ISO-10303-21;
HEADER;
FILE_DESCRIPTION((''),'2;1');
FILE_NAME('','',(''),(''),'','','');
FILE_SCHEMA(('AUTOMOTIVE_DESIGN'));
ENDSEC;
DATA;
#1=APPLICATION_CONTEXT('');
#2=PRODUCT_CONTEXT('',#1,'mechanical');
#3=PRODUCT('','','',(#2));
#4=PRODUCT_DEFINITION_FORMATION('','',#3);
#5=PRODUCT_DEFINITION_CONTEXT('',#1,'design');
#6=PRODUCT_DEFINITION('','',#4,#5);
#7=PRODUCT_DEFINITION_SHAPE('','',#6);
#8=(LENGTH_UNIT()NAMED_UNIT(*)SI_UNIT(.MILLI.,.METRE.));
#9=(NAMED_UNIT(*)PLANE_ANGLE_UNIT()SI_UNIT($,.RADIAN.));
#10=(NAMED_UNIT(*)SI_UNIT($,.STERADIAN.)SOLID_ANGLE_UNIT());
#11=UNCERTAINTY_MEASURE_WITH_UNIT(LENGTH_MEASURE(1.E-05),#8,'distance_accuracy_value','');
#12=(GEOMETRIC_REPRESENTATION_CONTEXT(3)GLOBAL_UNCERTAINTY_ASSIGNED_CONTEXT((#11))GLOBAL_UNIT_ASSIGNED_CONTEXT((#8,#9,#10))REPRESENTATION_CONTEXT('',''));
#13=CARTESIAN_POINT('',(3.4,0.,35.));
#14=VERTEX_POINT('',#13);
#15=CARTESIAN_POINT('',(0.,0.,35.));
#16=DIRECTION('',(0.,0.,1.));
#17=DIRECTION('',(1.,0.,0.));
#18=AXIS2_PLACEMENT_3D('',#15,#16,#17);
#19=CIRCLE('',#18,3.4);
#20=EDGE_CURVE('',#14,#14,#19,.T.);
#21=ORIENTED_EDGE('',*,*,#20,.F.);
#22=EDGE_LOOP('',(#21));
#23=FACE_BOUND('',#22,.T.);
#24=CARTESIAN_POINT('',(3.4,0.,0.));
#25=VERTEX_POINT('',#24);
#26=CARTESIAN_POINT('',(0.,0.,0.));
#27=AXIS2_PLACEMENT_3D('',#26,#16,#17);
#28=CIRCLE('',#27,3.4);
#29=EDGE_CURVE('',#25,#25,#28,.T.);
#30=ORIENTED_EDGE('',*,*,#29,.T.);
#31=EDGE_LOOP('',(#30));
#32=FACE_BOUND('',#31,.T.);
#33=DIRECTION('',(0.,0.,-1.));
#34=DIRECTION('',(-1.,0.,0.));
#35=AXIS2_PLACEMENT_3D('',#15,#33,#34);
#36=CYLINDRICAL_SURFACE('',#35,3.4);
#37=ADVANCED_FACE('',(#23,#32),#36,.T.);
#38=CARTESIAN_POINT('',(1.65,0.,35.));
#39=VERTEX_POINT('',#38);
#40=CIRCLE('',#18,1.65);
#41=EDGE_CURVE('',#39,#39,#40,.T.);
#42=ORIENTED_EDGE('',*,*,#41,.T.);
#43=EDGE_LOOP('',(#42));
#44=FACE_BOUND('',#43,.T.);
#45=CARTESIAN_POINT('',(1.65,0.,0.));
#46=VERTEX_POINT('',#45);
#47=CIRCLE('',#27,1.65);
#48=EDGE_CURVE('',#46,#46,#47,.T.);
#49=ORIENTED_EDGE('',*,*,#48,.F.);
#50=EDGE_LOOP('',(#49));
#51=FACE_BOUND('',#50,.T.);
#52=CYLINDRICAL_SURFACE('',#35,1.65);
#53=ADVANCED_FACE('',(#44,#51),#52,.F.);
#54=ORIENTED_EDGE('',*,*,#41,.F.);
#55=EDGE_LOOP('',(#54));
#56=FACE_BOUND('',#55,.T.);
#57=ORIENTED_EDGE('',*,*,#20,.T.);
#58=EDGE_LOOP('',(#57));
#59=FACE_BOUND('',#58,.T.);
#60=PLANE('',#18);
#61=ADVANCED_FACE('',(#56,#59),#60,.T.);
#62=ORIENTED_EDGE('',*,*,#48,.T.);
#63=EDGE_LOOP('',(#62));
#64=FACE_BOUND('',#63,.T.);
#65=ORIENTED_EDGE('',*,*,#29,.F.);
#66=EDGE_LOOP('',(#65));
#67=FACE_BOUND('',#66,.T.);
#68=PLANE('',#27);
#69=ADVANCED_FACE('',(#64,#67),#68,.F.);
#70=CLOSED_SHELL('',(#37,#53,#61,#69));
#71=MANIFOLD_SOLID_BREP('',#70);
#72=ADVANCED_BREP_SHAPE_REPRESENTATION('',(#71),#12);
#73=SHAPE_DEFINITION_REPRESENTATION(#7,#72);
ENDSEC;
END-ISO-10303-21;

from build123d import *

# Parameters (mm, degrees)
M3_SLEEVE_PROFILE_R   = 3.4
M3_SLEEVE_PROFILE_R_2 = 1.65
M3_SLEEVE_DEPTH       = 35


with BuildPart() as part:
    # M3 sleeve profile → M3 sleeve (new body)
    with BuildSketch(Plane.XY):
        Circle(M3_SLEEVE_PROFILE_R)
        Circle(M3_SLEEVE_PROFILE_R_2, mode=Mode.SUBTRACT)
    extrude(amount=M3_SLEEVE_DEPTH)


solid = part.part
